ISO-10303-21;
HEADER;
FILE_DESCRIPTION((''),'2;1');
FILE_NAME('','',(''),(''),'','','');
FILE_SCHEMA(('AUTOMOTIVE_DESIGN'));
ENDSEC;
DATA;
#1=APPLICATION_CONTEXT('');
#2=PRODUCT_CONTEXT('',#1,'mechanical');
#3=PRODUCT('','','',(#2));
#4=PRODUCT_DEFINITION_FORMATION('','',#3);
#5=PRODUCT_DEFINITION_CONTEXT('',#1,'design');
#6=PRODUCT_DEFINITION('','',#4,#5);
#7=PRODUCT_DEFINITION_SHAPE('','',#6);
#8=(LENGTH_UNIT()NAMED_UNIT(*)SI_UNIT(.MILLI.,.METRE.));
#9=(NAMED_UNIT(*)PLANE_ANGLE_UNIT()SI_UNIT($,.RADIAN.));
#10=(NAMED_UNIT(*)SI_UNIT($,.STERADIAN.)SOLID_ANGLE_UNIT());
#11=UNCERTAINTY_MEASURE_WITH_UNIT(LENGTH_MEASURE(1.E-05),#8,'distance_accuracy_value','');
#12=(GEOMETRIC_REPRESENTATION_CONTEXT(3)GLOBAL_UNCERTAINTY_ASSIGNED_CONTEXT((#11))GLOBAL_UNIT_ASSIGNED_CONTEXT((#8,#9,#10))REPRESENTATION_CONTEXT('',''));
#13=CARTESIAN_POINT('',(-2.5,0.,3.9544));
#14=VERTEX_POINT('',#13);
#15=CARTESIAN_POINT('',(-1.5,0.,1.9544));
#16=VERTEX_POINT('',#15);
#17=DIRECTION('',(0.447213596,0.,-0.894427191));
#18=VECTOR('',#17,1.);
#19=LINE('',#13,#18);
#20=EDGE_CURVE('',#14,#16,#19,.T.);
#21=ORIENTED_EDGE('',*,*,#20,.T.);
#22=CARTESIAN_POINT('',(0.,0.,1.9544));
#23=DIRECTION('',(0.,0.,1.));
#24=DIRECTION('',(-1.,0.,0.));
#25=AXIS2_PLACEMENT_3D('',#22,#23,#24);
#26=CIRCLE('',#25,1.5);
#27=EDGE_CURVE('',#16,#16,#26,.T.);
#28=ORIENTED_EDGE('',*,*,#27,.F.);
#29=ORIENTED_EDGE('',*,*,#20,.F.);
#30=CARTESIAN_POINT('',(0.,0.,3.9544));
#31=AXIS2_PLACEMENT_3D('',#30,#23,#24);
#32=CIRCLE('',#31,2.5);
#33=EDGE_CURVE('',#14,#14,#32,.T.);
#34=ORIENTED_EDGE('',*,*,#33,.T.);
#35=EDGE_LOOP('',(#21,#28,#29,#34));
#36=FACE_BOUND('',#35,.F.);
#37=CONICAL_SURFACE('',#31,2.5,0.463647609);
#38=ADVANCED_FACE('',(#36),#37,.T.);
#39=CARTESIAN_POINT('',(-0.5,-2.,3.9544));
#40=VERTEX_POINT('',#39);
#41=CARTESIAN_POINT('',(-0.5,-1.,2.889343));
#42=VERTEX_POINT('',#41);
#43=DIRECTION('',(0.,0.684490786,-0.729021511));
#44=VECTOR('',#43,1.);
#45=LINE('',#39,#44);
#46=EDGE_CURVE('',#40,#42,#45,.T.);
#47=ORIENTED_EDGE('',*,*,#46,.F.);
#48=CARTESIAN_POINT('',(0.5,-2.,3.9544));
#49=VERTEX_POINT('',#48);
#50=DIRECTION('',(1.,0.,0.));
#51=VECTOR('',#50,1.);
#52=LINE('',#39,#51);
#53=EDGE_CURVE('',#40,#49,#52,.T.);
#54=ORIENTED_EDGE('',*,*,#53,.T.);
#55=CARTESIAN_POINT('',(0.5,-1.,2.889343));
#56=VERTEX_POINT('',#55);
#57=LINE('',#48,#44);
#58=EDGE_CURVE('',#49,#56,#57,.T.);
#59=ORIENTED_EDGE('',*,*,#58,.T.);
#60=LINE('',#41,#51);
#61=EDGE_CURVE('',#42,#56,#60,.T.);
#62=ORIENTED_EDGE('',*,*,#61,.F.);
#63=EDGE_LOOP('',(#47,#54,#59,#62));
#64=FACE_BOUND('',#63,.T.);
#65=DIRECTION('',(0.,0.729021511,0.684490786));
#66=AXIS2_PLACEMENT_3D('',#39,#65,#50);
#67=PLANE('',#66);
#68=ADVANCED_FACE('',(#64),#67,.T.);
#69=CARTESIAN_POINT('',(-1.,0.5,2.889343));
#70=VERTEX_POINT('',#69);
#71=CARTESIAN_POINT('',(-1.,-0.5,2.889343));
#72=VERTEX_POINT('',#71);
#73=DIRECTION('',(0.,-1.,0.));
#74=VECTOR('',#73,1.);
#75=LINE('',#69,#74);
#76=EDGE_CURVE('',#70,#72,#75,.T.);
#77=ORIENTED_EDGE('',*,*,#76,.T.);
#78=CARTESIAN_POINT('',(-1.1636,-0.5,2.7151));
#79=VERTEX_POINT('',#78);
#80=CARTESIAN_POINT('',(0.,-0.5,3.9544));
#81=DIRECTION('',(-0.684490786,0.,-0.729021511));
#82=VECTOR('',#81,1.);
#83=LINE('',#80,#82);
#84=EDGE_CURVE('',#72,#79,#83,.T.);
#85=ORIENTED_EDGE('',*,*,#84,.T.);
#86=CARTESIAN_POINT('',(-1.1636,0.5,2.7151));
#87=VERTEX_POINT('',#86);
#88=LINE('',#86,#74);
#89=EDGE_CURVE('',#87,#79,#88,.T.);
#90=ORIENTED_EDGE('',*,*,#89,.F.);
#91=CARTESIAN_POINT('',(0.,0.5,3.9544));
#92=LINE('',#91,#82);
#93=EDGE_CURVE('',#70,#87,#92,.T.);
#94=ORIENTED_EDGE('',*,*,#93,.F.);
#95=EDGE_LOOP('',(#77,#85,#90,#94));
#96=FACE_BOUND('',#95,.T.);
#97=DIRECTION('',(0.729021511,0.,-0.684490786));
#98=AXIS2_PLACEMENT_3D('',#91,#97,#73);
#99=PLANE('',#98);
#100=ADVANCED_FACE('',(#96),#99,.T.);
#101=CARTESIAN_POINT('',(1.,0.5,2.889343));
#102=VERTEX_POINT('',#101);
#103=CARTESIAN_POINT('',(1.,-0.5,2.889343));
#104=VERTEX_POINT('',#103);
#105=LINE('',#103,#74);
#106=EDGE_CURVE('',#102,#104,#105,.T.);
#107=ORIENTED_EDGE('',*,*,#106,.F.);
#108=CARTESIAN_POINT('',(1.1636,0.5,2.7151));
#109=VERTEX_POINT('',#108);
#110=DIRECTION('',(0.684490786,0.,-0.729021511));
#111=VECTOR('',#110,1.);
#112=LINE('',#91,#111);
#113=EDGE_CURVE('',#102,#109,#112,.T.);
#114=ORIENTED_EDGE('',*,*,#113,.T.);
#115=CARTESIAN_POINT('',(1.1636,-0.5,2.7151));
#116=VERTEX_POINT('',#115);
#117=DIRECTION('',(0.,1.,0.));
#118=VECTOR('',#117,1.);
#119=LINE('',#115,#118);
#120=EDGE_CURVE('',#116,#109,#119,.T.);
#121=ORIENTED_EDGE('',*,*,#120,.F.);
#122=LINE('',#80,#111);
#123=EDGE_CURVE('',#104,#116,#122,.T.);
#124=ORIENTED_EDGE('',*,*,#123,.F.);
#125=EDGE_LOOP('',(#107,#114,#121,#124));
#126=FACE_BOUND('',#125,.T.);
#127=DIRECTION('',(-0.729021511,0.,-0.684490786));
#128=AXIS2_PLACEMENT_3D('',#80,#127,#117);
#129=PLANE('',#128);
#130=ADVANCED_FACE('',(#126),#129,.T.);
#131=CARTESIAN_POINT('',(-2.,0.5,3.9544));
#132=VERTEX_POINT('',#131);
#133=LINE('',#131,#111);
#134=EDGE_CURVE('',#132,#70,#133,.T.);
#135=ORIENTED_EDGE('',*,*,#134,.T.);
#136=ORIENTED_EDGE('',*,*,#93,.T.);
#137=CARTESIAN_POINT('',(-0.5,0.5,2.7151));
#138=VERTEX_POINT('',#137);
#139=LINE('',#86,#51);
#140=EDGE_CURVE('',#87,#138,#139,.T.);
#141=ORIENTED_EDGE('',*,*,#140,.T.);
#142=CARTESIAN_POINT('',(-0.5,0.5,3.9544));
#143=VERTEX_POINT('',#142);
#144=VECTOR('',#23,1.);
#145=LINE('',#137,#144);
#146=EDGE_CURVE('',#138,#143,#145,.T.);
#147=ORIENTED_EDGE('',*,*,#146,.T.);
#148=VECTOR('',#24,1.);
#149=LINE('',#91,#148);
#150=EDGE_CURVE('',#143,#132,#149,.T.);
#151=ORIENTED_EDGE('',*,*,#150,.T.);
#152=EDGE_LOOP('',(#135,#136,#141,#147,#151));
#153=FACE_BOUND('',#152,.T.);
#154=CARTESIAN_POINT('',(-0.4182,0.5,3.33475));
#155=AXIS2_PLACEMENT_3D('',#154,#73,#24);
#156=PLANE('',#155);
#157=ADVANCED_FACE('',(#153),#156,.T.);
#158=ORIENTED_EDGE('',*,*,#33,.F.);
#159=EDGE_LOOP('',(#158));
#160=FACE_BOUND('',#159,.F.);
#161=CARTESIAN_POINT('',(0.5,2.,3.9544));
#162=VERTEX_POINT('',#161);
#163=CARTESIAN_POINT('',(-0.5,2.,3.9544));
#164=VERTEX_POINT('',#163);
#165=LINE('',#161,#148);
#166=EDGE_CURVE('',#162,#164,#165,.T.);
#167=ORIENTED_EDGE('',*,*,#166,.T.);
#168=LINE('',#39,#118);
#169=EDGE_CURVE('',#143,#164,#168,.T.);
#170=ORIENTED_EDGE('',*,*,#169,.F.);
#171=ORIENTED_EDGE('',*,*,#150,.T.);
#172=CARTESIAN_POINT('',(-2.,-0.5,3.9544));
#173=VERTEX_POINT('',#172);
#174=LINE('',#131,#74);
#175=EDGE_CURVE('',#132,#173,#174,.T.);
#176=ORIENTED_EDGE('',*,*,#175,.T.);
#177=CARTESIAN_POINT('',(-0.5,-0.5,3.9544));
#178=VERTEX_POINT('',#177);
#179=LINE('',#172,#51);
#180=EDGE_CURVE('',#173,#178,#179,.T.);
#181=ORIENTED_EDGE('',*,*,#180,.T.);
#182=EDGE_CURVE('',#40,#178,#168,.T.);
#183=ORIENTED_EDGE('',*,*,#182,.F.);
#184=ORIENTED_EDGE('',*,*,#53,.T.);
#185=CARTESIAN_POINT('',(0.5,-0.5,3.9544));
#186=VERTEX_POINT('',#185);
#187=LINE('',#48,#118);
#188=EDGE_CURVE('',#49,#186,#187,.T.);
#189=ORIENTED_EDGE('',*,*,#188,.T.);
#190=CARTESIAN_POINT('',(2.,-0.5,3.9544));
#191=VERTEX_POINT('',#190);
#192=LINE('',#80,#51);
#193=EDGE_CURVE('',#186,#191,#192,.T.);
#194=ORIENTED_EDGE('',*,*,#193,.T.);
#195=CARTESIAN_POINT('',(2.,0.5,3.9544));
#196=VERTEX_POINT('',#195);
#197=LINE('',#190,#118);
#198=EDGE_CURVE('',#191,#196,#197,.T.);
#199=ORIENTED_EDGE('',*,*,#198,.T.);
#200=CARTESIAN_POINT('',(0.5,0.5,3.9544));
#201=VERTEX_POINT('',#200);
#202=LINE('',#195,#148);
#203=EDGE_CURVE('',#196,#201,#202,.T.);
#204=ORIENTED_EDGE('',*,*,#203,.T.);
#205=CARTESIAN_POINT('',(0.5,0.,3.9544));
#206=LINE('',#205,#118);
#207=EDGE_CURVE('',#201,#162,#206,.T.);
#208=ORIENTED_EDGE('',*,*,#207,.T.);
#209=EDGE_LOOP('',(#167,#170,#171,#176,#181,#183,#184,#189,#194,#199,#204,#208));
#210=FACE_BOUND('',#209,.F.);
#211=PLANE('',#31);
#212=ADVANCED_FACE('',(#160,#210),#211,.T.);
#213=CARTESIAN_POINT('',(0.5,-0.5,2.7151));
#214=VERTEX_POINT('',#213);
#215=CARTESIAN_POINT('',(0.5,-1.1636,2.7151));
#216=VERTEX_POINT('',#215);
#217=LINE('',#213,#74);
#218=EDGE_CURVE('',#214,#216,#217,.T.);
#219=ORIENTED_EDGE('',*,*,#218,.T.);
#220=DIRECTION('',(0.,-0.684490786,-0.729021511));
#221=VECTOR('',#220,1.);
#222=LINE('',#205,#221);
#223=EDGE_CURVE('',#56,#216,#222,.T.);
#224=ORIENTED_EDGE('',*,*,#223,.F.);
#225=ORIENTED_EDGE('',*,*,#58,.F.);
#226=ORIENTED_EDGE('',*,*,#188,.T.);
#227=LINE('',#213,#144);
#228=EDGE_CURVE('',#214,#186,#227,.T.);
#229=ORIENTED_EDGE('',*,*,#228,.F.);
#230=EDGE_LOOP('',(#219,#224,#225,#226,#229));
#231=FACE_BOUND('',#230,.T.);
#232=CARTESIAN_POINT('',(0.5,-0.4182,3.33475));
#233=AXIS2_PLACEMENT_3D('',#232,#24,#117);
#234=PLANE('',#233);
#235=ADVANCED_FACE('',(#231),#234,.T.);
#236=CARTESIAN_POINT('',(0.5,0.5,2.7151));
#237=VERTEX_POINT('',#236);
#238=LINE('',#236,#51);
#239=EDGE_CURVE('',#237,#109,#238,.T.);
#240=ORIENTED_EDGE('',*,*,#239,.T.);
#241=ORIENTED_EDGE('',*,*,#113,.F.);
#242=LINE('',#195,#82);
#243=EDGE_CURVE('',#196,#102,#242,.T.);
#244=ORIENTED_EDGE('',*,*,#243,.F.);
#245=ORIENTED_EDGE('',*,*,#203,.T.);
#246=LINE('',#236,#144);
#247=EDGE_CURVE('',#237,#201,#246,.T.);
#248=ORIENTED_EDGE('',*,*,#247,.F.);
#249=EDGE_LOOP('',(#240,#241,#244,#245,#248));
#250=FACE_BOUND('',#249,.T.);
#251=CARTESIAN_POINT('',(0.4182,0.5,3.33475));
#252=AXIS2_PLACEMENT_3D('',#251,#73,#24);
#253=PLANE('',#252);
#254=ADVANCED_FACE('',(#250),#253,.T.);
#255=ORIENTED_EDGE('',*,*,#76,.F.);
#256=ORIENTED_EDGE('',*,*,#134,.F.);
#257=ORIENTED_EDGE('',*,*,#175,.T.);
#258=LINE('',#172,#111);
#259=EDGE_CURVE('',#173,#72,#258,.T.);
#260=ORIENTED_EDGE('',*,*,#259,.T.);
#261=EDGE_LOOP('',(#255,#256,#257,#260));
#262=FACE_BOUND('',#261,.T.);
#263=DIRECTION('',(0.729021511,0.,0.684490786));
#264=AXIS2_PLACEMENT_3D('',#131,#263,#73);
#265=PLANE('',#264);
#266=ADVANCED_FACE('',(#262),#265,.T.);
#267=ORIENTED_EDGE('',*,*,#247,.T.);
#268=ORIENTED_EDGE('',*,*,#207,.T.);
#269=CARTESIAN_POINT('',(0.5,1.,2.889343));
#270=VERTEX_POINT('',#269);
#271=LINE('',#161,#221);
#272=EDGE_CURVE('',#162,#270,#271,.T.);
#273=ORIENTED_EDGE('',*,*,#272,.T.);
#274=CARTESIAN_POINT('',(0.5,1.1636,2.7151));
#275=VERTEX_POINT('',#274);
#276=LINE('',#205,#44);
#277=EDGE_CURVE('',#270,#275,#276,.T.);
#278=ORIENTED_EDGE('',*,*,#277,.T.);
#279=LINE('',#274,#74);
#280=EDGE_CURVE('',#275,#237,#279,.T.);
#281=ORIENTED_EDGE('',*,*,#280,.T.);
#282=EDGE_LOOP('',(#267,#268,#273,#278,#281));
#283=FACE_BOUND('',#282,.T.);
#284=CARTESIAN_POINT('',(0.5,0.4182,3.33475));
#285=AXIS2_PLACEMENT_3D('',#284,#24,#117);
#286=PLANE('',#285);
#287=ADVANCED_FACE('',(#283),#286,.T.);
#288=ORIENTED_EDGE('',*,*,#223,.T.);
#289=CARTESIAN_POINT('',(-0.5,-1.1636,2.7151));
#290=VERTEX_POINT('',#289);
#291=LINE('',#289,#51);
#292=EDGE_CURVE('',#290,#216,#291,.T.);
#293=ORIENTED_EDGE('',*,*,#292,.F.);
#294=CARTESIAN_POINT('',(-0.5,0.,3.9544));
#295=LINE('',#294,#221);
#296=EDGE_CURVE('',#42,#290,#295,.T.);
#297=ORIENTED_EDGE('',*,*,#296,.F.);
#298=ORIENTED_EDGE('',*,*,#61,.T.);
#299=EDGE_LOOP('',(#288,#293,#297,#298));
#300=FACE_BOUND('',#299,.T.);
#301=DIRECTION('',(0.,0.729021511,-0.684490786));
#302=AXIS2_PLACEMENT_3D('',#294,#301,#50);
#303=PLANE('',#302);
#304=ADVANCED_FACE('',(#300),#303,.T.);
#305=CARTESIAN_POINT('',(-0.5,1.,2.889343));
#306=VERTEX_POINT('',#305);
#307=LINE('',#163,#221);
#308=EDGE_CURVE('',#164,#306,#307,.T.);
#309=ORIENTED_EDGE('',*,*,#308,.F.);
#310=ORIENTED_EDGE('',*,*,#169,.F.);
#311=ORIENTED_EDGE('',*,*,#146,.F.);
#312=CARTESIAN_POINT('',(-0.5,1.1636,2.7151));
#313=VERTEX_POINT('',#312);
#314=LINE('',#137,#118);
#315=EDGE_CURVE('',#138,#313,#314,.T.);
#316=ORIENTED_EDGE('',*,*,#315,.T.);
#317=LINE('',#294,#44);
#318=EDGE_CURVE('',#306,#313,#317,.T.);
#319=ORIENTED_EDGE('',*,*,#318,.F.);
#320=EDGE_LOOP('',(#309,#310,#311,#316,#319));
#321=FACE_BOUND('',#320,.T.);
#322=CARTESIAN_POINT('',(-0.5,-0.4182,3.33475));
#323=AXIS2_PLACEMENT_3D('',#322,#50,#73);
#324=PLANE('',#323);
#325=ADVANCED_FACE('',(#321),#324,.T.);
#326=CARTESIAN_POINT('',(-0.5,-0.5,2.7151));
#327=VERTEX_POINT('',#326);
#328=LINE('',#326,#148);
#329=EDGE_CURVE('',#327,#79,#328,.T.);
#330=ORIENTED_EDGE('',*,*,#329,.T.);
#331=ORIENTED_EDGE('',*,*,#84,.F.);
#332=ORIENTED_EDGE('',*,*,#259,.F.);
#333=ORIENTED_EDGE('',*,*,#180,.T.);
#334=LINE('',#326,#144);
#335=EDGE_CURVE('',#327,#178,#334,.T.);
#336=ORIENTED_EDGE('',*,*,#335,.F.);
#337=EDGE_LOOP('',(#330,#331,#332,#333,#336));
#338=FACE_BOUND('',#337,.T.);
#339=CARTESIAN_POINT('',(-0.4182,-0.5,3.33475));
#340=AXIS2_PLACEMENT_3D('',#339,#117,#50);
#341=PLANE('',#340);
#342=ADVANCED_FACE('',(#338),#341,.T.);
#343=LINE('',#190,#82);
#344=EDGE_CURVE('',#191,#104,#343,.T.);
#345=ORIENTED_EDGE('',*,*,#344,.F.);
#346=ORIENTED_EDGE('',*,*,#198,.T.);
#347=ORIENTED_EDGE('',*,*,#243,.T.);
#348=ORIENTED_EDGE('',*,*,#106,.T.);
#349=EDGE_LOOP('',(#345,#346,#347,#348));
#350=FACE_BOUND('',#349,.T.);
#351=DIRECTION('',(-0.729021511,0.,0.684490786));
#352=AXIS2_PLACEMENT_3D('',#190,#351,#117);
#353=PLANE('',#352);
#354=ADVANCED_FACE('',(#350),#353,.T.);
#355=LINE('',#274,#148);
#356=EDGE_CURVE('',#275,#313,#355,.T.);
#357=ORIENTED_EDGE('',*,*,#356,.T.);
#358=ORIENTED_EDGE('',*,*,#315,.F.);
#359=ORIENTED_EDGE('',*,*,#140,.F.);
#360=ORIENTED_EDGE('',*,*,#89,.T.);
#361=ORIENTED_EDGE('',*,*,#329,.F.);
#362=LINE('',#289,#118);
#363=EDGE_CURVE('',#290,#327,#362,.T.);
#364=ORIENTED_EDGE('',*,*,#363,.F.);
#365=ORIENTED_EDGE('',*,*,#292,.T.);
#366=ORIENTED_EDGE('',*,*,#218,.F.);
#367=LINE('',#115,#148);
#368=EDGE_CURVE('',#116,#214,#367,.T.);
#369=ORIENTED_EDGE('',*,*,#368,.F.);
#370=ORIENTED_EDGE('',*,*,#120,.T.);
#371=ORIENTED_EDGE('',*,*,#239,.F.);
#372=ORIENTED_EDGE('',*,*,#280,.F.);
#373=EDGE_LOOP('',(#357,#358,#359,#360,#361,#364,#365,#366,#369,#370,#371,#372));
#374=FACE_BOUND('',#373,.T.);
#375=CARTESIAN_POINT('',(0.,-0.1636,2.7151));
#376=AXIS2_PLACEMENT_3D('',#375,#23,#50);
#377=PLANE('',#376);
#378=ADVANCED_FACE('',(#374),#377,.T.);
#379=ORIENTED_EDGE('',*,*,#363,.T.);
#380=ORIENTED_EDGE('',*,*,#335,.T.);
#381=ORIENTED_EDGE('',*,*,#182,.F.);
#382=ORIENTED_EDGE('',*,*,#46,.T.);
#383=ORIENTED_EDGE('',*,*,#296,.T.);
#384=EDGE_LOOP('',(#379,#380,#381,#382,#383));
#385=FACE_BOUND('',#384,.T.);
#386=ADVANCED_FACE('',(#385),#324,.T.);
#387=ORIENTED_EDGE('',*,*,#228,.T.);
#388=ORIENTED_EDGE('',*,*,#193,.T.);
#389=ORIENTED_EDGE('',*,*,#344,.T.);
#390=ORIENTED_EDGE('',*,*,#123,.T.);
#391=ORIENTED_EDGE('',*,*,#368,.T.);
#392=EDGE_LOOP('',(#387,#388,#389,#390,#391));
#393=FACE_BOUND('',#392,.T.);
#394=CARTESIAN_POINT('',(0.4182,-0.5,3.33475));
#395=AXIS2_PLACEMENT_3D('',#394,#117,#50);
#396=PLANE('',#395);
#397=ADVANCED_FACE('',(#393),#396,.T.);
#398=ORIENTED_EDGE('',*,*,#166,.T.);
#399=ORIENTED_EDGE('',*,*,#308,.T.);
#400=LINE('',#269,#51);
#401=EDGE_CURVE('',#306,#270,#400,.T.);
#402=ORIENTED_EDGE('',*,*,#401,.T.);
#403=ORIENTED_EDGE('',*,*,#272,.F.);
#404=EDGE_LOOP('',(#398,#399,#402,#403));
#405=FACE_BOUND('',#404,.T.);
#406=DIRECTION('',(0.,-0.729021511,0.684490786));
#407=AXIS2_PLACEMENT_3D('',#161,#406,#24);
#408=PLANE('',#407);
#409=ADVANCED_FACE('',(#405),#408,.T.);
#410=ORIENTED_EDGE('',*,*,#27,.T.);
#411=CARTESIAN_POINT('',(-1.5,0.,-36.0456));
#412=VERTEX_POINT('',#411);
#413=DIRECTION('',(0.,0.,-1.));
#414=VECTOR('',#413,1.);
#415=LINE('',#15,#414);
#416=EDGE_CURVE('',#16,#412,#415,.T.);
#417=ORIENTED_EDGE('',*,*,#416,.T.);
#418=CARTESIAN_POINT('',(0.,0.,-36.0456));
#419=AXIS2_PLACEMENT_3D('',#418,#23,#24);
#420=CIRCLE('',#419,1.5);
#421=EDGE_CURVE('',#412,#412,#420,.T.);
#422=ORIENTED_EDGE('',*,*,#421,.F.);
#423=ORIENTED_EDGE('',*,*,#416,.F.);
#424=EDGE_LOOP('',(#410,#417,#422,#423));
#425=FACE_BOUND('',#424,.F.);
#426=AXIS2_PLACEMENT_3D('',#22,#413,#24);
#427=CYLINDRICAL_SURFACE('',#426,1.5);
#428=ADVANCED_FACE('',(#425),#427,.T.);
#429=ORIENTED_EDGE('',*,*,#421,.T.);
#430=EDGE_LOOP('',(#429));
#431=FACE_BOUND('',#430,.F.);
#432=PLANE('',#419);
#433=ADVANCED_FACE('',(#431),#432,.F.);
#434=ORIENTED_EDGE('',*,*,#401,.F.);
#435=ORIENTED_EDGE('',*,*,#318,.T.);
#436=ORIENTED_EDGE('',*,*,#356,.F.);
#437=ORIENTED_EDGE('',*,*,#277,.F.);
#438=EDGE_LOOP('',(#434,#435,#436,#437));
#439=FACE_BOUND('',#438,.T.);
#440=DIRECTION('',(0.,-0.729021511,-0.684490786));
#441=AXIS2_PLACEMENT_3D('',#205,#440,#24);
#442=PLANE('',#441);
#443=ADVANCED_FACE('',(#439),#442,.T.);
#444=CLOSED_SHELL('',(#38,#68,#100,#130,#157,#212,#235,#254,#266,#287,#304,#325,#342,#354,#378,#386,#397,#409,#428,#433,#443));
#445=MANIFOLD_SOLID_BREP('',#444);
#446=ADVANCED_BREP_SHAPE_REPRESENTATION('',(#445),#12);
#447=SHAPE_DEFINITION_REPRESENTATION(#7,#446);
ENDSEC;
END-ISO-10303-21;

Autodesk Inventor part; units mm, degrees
ref_plane "YZ Plane" through (0, 0, 0) normal (1, 0, 0) x (0, 1, 0)
ref_plane "XZ Plane" through (0, 0, 0) normal (0, 1, 0) x (-1, 0, 0)
ref_plane "XY Plane" through (0, 0, 0) normal (0, 0, 1) x (1, 0, 0)
sketch "Sketch1" plane through (0, 0, 0) normal (0, 1, 0) x (-1, 0, 0)
  line L0 (0, 3.9544) -> (2.5, 3.9544)
  line L1 (2.5, 3.9544) -> (1.5, 1.9544)
  line L2 (1.5, 1.9544) -> (1.5, -36.0456)
  line L3 (1.5, -36.0456) -> (0, -36.0456)
  line L4 (0, -36.0456) -> (0, 3.9544)
  point P0 (0, 0)
  dimension "d0" = 2.5
  dimension "d1" = 2
  dimension "d2" = 40
  dimension "d21" = 1.5
revolve "Revolution1" add sketch "Sketch1" angle 360 about axis through (0, 0, -36.0456) along (0, 0, 1)
sketch "Sketch2" plane through (0, 0, 3.9544) normal (0, 0, 1) x (1, 0, 0)
  line L0 (-0.5, 0) -> (0.5, 0)
  line L1 (0.5, 0) -> (0.5, 2)
  line L2 (0.5, 2) -> (-0.5, 2)
  line L3 (-0.5, 2) -> (-0.5, 0)
  point P0 (0, 0)
  dimension "d4" = 1
  dimension "d5" = 2
  dimension "d6" = 0.5
ref_plane "Work Plane2" through (-0.5, 2, 3.9544) normal (-1, 0, 0) x (0, -1, 0)
sketch "Sketch4" plane through (-0.5, 2, 3.9544) normal (-1, 0, 0) x (0, -1, 0)
  line L0 (-0.5, 0) -> (4.5, 0) projected
  line L1 (-0.4472, 0) -> (0.7164, -1.2393)
  point P0 (2, -3.9544)
  dimension "d15" = 1.7
sweep "Sweep1" cut profiles "Sketch2" path "Sketch4" path curves L1
pattern_circular "Circular Pattern1" count 4 over 360 about axis through (0, 0, 2.9544) along (0, 0, -1) of "Sweep1"
thread "Thread2"
equation "\"d6\" = 0.5 * d4"
properties part number "Fi3es60mmcsavar" material "Steel, Alloy"
